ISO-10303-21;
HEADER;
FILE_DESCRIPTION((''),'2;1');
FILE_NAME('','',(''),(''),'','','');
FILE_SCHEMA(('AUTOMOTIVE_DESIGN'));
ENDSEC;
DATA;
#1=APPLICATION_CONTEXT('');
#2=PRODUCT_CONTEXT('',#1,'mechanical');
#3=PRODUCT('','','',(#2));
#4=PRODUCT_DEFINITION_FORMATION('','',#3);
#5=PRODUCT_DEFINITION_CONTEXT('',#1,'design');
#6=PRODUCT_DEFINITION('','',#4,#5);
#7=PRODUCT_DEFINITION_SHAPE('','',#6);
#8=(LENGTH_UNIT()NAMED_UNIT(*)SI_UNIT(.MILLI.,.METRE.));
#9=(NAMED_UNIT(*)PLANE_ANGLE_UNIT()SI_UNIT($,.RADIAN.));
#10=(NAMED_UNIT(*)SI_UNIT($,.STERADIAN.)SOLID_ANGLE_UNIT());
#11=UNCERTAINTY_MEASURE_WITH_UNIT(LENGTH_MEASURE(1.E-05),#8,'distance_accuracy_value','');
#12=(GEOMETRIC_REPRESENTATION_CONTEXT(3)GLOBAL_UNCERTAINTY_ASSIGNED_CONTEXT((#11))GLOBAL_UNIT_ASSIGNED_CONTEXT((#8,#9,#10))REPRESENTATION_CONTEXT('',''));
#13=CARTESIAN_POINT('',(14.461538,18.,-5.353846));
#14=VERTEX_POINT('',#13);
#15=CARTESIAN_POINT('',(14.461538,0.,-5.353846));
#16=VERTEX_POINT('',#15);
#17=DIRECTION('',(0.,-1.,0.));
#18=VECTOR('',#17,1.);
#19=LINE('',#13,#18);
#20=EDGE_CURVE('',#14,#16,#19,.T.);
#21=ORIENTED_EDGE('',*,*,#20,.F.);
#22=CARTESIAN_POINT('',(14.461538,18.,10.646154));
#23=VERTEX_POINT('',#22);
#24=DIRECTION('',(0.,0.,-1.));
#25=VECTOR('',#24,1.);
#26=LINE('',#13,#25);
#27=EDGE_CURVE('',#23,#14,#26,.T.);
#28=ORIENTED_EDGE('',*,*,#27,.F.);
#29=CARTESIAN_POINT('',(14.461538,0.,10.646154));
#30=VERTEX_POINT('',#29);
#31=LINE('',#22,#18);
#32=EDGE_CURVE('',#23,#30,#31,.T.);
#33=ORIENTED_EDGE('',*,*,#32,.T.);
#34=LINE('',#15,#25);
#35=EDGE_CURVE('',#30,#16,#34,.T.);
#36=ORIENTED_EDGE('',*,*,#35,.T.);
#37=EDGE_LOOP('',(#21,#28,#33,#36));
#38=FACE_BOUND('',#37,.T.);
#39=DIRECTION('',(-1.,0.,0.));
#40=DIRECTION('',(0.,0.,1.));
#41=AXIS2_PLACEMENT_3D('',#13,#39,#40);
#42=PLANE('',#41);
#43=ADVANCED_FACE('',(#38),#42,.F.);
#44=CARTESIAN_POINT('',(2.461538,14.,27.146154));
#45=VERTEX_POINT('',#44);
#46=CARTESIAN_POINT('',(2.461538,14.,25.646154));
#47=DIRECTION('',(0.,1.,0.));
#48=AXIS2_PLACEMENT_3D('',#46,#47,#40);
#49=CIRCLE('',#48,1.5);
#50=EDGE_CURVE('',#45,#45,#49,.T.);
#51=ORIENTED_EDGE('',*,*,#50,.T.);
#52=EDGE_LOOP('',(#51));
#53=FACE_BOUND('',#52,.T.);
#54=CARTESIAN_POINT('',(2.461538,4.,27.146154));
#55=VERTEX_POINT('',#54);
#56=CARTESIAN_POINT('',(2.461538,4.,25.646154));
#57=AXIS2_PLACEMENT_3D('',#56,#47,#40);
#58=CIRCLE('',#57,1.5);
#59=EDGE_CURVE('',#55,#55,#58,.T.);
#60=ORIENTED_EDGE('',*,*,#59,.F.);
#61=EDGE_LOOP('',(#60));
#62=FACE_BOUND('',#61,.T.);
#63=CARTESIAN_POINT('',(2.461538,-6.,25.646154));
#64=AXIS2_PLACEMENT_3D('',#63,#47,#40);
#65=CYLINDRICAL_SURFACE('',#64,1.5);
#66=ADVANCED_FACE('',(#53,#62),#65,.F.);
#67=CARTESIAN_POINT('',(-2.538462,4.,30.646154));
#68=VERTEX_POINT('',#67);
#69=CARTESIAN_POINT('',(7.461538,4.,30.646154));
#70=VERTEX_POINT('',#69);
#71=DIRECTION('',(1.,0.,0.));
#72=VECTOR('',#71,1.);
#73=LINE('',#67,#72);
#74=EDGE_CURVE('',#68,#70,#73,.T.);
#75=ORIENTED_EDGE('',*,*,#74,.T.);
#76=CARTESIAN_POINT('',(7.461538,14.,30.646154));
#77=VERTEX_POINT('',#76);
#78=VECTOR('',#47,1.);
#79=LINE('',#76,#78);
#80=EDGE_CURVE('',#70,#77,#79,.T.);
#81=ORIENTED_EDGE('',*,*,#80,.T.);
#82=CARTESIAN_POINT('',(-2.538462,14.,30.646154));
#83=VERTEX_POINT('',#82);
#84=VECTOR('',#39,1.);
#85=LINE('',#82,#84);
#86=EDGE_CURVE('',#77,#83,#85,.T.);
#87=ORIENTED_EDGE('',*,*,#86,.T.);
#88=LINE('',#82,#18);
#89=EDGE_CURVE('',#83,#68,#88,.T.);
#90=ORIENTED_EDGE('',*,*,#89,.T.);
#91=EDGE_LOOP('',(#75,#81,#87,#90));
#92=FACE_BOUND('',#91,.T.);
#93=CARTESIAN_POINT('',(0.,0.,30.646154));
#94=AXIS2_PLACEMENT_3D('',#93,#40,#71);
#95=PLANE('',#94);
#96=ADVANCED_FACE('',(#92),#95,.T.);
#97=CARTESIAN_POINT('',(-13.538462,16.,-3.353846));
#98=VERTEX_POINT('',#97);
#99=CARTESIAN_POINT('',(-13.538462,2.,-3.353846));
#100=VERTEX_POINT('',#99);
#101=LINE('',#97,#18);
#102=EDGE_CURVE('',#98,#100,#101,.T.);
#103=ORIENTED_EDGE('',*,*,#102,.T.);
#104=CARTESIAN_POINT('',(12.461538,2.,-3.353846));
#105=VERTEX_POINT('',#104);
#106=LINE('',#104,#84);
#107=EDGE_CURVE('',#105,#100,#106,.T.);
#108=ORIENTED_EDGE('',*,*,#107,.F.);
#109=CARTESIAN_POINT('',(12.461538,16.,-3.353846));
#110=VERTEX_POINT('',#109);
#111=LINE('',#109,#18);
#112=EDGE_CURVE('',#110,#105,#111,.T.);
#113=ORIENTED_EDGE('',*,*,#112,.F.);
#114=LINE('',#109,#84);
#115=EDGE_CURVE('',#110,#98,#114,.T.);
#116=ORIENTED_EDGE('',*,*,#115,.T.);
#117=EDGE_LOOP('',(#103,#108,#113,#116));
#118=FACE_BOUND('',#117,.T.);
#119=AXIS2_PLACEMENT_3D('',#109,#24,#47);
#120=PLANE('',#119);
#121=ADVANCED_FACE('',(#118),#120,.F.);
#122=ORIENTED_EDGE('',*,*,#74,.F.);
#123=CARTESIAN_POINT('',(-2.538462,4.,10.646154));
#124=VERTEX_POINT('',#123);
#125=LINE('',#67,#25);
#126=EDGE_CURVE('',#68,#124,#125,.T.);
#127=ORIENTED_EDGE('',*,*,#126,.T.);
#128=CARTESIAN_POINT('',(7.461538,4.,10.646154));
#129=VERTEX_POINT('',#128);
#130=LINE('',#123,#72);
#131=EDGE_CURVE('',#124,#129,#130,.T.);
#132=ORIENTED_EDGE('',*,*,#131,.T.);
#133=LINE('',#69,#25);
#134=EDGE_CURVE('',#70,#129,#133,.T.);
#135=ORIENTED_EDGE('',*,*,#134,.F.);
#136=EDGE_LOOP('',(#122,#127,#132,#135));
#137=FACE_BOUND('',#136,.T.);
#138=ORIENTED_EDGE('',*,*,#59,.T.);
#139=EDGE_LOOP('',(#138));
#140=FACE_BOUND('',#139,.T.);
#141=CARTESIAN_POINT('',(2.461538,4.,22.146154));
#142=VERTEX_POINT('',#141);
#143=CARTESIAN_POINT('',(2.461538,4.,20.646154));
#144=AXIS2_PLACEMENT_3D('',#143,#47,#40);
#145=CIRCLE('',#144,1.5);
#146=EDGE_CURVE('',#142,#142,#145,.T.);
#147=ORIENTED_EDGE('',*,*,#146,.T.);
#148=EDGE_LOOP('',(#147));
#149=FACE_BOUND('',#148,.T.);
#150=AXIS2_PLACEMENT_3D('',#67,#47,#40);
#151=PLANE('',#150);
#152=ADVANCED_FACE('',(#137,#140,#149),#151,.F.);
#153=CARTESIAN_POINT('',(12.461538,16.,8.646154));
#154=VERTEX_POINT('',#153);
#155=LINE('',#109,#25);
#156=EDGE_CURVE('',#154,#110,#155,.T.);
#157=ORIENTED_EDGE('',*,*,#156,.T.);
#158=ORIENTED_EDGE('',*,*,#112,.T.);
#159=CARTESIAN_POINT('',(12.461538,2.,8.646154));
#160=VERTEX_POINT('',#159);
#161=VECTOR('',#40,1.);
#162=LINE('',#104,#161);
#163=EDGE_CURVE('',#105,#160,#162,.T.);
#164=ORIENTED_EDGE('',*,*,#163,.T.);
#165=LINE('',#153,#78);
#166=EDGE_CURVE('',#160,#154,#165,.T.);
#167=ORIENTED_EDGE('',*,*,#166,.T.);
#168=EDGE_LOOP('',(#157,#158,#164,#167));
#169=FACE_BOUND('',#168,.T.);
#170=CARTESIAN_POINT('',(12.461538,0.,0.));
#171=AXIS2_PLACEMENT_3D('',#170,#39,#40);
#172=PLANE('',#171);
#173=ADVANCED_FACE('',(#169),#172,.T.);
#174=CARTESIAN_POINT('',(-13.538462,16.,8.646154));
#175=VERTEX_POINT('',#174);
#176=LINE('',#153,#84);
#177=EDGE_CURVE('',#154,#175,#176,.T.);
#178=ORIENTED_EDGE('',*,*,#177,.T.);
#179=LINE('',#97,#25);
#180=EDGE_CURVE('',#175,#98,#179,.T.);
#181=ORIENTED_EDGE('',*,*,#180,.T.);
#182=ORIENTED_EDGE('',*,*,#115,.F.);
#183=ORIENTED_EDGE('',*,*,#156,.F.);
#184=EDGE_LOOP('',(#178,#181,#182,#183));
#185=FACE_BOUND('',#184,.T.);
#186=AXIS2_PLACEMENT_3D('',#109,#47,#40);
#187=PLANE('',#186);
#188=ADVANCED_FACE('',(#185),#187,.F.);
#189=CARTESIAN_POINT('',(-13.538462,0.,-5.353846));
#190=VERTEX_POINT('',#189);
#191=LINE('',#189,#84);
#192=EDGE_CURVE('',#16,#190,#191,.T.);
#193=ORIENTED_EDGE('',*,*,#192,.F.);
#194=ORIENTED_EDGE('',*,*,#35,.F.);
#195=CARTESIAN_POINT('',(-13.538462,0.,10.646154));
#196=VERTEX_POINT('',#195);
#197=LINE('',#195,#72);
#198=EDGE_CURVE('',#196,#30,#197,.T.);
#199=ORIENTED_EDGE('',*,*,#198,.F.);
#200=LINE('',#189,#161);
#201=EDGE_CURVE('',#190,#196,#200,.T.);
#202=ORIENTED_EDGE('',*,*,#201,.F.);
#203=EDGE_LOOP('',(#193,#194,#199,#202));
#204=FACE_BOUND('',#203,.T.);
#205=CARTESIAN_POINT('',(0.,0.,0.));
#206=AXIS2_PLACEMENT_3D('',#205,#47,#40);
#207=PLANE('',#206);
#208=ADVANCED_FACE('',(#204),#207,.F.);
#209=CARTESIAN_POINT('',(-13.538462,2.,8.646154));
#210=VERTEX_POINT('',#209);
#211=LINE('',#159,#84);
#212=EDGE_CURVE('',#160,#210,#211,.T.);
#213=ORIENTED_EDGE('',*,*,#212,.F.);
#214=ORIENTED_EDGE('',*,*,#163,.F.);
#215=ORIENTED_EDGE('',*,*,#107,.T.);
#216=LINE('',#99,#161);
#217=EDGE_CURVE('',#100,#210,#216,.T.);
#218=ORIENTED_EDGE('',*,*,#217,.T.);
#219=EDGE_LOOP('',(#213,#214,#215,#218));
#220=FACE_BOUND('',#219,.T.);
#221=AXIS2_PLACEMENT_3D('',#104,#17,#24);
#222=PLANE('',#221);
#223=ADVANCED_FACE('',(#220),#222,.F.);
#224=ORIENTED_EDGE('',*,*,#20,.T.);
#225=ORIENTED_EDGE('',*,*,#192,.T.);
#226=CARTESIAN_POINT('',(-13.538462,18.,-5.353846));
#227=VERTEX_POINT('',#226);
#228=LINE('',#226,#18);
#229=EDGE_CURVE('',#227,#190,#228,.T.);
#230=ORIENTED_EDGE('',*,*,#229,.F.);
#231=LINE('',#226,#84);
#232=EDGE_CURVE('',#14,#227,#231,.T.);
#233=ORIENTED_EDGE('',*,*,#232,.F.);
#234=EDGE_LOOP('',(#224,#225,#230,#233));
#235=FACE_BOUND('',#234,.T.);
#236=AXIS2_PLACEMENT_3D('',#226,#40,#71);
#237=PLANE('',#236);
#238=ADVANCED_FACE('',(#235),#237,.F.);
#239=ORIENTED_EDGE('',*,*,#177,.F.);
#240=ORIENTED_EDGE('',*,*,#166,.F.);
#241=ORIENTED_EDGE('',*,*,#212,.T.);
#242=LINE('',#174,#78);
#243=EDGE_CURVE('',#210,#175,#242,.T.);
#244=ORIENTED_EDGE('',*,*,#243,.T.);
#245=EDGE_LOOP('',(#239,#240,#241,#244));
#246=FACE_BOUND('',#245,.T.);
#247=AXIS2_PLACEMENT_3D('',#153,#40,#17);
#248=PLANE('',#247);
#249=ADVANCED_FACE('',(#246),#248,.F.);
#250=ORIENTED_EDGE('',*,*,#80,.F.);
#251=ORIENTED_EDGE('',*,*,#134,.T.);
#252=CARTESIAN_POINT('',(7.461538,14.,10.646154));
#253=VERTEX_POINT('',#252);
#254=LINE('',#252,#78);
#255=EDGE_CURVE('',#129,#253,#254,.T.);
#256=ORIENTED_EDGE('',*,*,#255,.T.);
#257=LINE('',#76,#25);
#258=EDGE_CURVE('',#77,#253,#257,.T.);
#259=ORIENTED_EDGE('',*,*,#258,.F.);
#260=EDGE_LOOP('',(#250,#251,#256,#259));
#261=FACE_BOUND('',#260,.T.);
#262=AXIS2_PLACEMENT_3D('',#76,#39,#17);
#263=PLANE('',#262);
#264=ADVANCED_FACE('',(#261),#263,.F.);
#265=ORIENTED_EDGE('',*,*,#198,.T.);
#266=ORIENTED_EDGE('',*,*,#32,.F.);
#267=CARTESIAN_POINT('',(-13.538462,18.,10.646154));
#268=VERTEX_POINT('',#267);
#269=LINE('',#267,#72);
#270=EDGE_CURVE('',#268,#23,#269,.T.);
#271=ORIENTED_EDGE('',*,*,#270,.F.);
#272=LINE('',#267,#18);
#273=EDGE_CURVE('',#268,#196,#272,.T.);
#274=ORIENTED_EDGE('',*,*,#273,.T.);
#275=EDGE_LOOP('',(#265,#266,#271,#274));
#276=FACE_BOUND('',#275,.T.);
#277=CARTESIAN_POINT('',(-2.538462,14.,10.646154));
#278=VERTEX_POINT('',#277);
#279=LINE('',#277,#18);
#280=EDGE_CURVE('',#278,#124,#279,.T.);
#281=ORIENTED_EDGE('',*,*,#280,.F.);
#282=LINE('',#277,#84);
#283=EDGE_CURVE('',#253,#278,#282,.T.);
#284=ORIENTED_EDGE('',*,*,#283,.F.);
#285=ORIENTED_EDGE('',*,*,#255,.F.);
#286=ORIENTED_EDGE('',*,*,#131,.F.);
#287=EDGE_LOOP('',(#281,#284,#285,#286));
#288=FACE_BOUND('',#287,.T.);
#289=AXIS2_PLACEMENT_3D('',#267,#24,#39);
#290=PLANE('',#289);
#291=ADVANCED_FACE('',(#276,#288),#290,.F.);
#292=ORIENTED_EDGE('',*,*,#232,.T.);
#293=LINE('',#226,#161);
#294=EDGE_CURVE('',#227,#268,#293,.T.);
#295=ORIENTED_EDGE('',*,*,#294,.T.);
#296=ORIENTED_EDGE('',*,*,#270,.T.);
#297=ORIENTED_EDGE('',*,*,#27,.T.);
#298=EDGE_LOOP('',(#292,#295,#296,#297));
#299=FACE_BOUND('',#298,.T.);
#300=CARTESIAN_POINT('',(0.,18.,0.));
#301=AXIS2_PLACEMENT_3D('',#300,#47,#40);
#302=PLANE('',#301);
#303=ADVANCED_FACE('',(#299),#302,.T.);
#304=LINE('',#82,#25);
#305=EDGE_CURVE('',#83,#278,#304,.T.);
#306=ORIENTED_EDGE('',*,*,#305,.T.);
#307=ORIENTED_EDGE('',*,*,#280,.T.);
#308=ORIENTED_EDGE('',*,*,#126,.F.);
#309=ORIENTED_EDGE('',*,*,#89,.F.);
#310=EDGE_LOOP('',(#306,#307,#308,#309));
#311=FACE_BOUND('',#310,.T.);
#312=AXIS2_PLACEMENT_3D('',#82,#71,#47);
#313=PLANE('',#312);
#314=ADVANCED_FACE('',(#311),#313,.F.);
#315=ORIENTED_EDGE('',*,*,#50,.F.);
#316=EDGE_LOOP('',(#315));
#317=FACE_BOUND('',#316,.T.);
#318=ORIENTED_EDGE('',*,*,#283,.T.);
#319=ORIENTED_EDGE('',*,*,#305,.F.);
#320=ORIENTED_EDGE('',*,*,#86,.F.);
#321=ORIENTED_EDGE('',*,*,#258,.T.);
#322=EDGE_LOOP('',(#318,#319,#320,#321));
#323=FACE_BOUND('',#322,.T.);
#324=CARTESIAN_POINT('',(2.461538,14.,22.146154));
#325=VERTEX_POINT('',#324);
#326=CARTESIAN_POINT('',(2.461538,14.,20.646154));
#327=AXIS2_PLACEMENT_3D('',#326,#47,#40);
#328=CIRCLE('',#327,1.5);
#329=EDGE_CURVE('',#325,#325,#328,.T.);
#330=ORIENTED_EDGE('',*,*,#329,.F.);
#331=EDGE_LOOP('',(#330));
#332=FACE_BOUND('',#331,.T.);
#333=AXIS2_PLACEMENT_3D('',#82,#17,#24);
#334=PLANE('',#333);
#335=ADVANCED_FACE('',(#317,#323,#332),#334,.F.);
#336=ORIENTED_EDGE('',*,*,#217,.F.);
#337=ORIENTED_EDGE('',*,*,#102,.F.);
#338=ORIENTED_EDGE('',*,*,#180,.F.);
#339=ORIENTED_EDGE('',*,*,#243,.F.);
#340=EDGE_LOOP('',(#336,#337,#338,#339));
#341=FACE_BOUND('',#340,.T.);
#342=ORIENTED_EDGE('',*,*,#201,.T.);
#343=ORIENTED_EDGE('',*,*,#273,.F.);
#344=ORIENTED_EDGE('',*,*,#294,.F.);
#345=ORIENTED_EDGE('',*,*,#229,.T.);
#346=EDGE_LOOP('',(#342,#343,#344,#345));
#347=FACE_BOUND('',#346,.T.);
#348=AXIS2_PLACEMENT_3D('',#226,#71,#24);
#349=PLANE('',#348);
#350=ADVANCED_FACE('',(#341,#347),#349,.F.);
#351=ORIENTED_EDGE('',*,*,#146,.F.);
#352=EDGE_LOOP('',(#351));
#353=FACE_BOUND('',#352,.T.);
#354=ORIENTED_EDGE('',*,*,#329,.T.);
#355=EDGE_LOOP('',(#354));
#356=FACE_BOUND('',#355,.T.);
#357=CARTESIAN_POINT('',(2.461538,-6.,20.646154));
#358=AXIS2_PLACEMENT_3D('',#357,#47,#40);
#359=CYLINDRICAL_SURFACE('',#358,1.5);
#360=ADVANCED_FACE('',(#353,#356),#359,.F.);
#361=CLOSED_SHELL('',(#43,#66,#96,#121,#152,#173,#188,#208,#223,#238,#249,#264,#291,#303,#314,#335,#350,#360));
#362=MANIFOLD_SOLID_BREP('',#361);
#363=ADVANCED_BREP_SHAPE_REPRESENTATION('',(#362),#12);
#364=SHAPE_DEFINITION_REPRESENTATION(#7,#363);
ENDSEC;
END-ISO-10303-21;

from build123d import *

# Parameters (mm, degrees)
SKETCH1_W           = 28
SKETCH1_H           = 16
BOSS_EXTRUDE1_DEPTH = 18
SKETCH3_W           = 10
SKETCH3_H           = 10
BOSS_EXTRUDE3_DEPTH = 20
SKETCH4_R           = 1.5
CUT_EXTRUDE1_DEPTH  = 20
SKETCH5_W           = 12
SKETCH5_H           = 14
CUT_EXTRUDE2_DEPTH  = 26


with BuildPart() as part:
    # Sketch1 → Boss-Extrude1 (new body)
    with BuildSketch(Plane(origin=(0, 0, 0), x_dir=(1, 0, 0), z_dir=(0, 1, 0))):
        with Locations((0.461538462, -2.646153846)):
            Rectangle(SKETCH1_W, SKETCH1_H)
    extrude(amount=BOSS_EXTRUDE1_DEPTH)

    # Sketch3 → Boss-Extrude3 (add)
    with BuildSketch(Plane.XY.offset(10.646153846)):
        with Locations((2.461538462, 9)):
            Rectangle(SKETCH3_W, SKETCH3_H)
    extrude(amount=BOSS_EXTRUDE3_DEPTH)

    # Sketch4 → Cut-Extrude1 (cut)
    with BuildSketch(Plane(origin=(0, 14, 0), x_dir=(1, 0, 0), z_dir=(0, 1, 0))):
        with Locations((2.461538462, -20.646153846)):
            Circle(SKETCH4_R)
        with Locations((2.461538462, -25.646153846)):
            Circle(SKETCH4_R)
    extrude(amount=-CUT_EXTRUDE1_DEPTH, mode=Mode.SUBTRACT)

    # Sketch5 → Cut-Extrude2 (cut)
    with BuildSketch(Plane.ZY.offset(13.538461538)):
        with Locations((2.646153846, 9)):
            Rectangle(SKETCH5_W, SKETCH5_H)
    extrude(amount=-CUT_EXTRUDE2_DEPTH, mode=Mode.SUBTRACT)


solid = part.part
